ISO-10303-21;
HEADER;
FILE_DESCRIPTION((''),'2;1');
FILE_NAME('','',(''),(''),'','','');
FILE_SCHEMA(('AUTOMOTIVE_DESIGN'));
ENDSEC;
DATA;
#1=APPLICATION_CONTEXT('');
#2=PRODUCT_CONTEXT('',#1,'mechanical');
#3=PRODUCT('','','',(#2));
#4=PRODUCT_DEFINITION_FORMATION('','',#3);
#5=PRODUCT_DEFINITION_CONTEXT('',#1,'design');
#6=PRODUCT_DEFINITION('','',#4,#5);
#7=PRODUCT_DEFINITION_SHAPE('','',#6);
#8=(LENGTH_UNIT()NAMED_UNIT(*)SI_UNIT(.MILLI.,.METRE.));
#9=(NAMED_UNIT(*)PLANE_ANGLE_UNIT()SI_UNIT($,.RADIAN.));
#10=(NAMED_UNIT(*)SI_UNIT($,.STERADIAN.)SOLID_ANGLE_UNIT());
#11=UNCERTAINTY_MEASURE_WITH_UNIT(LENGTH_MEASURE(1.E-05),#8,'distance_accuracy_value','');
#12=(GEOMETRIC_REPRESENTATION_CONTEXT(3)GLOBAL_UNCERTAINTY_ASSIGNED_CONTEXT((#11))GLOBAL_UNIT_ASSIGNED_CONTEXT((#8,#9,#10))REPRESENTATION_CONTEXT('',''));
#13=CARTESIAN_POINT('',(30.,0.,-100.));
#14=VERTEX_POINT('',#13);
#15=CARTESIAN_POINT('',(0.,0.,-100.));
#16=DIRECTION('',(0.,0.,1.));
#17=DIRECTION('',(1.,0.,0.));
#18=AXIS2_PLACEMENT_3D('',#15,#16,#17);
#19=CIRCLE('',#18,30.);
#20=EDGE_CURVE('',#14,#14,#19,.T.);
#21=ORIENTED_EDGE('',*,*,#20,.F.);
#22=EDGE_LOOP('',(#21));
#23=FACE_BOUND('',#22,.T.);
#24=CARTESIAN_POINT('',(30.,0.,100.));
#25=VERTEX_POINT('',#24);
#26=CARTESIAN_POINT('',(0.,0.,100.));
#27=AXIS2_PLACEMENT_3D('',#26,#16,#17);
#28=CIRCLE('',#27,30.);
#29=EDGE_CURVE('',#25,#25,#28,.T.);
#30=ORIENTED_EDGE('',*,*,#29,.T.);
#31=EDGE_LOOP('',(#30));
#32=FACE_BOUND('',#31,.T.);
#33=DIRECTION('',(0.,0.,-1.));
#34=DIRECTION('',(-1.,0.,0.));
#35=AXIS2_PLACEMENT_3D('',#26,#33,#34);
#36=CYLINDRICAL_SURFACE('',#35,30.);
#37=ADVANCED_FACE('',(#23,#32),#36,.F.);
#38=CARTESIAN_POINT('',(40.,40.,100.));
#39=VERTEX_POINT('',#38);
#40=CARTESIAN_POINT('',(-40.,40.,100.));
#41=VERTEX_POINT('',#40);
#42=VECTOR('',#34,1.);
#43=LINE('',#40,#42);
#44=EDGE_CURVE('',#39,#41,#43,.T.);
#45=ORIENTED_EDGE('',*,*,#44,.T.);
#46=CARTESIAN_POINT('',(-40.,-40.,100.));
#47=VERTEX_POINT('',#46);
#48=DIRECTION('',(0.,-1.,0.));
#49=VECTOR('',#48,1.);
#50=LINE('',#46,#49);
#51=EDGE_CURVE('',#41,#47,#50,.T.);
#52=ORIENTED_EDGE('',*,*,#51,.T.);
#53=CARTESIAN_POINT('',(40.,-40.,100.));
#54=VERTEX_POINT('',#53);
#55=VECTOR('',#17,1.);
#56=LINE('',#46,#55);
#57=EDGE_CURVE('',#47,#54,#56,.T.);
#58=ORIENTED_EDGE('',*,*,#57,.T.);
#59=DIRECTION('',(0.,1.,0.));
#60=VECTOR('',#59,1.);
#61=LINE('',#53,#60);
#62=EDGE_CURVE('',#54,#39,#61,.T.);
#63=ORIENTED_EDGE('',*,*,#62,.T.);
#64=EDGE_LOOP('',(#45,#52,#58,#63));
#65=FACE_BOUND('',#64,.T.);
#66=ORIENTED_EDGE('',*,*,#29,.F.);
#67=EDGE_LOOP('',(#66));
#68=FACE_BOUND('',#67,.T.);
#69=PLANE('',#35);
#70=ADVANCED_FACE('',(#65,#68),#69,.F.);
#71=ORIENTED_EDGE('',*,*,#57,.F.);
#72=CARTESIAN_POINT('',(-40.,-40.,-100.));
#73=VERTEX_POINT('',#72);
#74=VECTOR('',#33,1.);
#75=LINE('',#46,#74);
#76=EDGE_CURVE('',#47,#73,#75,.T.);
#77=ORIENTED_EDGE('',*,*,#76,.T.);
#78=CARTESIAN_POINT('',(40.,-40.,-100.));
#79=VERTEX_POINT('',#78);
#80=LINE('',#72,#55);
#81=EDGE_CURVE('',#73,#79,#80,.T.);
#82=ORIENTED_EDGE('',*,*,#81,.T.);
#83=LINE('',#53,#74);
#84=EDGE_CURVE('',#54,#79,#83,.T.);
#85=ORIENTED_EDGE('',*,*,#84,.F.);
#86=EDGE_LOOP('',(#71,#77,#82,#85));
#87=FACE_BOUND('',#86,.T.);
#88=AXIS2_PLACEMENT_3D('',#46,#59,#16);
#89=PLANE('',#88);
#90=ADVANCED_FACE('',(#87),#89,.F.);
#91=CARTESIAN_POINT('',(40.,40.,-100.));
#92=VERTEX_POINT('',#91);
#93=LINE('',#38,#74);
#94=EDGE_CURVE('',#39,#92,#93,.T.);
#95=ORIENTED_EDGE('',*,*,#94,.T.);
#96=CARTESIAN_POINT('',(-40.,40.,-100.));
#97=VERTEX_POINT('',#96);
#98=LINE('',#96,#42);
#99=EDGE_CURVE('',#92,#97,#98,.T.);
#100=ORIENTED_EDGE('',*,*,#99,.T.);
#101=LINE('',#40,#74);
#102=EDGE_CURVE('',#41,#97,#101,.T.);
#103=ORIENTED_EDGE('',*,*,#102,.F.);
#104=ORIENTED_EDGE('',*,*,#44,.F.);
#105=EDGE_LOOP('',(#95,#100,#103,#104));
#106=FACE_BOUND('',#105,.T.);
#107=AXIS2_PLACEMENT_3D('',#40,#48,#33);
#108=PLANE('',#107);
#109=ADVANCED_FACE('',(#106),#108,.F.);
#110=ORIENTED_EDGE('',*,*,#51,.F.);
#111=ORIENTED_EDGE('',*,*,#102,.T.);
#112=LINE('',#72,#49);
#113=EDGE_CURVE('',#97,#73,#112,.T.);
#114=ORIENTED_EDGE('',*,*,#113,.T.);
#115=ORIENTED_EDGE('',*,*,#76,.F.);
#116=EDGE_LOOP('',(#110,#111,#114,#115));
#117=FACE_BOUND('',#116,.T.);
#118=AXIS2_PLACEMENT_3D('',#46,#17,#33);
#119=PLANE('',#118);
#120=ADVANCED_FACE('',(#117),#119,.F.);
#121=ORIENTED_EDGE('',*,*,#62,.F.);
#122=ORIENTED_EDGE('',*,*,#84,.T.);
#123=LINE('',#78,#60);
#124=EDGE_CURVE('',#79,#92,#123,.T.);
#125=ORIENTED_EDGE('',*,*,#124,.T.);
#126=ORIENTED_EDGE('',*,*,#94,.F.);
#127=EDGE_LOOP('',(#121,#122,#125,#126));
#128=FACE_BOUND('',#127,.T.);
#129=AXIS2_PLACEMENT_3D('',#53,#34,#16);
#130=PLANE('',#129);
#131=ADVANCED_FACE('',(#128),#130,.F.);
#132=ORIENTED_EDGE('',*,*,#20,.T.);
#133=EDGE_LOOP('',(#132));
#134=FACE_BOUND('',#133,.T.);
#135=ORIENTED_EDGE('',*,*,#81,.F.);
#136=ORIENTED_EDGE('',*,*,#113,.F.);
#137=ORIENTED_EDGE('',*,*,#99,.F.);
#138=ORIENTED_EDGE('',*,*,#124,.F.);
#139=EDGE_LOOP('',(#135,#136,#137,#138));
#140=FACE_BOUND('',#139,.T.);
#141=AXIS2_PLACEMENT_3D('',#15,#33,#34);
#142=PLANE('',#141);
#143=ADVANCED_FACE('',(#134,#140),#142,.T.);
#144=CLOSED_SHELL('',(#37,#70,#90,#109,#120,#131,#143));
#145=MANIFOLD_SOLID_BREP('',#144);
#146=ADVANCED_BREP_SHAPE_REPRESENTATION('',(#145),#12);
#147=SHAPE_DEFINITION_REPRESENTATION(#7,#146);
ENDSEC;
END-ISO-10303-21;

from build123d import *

# Parameters (mm, degrees)
SKETCH1_W           = 80
SKETCH1_H           = 80
SKETCH1_R           = 30
BOSS_EXTRUDE1_DEPTH = 100


with BuildPart() as part:
    # Sketch1 → Boss-Extrude1 (new, symmetric)
    with BuildSketch(Plane.XY):
        Rectangle(SKETCH1_W, SKETCH1_H)
        Circle(SKETCH1_R, mode=Mode.SUBTRACT)
    extrude(amount=BOSS_EXTRUDE1_DEPTH, both=True)


solid = part.part
